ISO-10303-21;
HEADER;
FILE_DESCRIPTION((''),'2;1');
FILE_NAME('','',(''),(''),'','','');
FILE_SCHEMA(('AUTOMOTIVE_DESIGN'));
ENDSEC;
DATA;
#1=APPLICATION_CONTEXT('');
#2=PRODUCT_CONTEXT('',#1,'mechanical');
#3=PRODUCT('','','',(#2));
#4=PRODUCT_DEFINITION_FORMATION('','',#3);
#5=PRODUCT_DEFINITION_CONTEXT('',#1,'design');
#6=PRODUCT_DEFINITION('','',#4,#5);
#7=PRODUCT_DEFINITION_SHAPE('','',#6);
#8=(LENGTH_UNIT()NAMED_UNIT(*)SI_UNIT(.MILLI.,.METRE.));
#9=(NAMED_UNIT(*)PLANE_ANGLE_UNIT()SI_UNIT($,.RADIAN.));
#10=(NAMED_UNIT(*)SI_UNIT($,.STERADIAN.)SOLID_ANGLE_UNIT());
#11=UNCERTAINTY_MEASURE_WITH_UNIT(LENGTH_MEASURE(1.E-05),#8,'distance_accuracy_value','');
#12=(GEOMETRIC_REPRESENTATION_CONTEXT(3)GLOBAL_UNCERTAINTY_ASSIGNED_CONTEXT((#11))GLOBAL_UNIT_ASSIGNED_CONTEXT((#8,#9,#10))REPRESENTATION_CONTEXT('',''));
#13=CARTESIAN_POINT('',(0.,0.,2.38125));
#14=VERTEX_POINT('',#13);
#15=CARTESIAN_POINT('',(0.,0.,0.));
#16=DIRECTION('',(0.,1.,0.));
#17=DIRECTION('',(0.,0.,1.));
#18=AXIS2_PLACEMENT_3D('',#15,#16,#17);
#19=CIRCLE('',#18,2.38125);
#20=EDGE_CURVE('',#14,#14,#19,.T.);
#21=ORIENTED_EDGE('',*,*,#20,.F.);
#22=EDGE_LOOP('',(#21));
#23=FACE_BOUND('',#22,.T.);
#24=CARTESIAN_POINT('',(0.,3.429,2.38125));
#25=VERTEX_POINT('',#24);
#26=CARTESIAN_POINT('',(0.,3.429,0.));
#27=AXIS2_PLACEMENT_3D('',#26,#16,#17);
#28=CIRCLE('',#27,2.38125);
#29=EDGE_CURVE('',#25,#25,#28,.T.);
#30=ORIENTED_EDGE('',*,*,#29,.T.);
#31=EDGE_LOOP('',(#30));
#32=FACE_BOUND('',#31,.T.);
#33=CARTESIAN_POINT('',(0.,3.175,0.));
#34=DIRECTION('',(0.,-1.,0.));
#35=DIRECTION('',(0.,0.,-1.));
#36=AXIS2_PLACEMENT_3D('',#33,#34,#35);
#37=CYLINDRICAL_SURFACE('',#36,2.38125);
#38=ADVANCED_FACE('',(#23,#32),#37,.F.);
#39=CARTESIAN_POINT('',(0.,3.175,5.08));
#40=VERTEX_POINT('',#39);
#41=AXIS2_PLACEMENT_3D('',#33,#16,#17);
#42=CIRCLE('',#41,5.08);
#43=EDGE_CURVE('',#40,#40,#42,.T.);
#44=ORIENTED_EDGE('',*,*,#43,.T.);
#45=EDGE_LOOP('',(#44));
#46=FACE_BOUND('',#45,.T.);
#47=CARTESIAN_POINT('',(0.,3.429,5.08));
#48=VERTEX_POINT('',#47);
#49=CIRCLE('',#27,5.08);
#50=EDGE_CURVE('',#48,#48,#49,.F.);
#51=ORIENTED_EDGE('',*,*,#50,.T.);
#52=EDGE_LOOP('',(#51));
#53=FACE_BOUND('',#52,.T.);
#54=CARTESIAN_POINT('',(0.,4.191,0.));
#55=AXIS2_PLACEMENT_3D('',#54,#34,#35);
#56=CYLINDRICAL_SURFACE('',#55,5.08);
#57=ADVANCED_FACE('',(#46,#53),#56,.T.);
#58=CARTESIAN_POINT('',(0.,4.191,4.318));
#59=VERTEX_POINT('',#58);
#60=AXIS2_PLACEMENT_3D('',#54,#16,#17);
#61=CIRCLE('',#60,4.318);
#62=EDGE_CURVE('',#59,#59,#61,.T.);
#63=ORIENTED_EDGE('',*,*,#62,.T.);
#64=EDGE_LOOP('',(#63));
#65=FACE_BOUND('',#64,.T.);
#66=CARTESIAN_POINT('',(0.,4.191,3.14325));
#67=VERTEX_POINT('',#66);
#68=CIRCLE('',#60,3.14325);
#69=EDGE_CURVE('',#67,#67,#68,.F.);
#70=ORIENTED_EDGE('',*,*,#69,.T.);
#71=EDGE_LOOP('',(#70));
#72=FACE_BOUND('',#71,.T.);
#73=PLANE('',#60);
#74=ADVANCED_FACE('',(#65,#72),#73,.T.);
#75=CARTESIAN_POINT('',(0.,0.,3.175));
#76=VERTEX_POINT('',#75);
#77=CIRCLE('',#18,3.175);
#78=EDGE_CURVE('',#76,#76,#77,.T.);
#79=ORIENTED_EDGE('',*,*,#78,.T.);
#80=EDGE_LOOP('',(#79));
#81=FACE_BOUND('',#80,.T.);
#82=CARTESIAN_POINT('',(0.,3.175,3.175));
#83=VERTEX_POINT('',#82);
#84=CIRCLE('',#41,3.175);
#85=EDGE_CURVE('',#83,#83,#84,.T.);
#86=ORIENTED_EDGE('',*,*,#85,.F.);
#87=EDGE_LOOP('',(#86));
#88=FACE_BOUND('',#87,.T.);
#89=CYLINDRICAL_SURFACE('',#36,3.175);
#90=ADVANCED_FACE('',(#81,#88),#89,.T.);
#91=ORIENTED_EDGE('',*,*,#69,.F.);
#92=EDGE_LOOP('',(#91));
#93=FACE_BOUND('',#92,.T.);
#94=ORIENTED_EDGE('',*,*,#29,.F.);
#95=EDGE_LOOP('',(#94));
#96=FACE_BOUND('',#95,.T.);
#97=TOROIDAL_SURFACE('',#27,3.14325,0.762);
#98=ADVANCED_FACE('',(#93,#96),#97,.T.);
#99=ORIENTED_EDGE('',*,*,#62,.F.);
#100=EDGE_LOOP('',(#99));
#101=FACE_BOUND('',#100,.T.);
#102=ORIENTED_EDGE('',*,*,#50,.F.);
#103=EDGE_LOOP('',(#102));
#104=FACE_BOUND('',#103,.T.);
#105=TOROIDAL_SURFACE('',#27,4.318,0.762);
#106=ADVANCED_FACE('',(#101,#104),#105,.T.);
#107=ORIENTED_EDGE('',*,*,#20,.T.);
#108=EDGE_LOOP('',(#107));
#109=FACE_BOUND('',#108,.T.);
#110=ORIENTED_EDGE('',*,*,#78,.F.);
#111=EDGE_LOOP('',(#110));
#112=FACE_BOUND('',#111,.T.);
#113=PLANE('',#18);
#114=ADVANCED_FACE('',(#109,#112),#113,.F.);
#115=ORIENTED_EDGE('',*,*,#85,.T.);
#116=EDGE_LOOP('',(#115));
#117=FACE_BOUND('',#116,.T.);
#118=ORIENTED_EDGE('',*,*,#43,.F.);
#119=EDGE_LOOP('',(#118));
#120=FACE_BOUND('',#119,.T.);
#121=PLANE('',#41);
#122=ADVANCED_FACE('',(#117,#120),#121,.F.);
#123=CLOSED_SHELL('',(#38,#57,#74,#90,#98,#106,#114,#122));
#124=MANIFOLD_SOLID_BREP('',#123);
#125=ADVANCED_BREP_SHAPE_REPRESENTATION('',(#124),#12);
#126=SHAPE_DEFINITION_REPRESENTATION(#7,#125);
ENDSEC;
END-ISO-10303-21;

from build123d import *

# Parameters (mm, degrees)
SKETCH1_R           = 3.175
SKETCH1_R_2         = 2.38125
BOSS_EXTRUDE1_DEPTH = 3.175
SKETCH2_R           = 5.08
SKETCH2_R_2         = 2.38125
BOSS_EXTRUDE2_DEPTH = 1.016
FILLET1_R           = 0.762


with BuildPart() as part:
    # Sketch1 → Boss-Extrude1 (new body)
    with BuildSketch(Plane(origin=(0, 0, 0), x_dir=(1, 0, 0), z_dir=(0, 1, 0))):
        Circle(SKETCH1_R)
        Circle(SKETCH1_R_2, mode=Mode.SUBTRACT)
    extrude(amount=BOSS_EXTRUDE1_DEPTH)

    # Sketch2 → Boss-Extrude2 (add)
    with BuildSketch(Plane(origin=(0, 3.175, 0), x_dir=(1, 0, 0), z_dir=(0, 1, 0))):
        Circle(SKETCH2_R)
        Circle(SKETCH2_R_2, mode=Mode.SUBTRACT)
    extrude(amount=BOSS_EXTRUDE2_DEPTH)

    # Fillet1
    fillet1_edges = [part.edges().sort_by_distance(p)[0] for p in [
        (-2.38125, 4.191, 0),
        (-5.08, 4.191, 0),
    ]]
    fillet(fillet1_edges, radius=FILLET1_R)


solid = part.part
